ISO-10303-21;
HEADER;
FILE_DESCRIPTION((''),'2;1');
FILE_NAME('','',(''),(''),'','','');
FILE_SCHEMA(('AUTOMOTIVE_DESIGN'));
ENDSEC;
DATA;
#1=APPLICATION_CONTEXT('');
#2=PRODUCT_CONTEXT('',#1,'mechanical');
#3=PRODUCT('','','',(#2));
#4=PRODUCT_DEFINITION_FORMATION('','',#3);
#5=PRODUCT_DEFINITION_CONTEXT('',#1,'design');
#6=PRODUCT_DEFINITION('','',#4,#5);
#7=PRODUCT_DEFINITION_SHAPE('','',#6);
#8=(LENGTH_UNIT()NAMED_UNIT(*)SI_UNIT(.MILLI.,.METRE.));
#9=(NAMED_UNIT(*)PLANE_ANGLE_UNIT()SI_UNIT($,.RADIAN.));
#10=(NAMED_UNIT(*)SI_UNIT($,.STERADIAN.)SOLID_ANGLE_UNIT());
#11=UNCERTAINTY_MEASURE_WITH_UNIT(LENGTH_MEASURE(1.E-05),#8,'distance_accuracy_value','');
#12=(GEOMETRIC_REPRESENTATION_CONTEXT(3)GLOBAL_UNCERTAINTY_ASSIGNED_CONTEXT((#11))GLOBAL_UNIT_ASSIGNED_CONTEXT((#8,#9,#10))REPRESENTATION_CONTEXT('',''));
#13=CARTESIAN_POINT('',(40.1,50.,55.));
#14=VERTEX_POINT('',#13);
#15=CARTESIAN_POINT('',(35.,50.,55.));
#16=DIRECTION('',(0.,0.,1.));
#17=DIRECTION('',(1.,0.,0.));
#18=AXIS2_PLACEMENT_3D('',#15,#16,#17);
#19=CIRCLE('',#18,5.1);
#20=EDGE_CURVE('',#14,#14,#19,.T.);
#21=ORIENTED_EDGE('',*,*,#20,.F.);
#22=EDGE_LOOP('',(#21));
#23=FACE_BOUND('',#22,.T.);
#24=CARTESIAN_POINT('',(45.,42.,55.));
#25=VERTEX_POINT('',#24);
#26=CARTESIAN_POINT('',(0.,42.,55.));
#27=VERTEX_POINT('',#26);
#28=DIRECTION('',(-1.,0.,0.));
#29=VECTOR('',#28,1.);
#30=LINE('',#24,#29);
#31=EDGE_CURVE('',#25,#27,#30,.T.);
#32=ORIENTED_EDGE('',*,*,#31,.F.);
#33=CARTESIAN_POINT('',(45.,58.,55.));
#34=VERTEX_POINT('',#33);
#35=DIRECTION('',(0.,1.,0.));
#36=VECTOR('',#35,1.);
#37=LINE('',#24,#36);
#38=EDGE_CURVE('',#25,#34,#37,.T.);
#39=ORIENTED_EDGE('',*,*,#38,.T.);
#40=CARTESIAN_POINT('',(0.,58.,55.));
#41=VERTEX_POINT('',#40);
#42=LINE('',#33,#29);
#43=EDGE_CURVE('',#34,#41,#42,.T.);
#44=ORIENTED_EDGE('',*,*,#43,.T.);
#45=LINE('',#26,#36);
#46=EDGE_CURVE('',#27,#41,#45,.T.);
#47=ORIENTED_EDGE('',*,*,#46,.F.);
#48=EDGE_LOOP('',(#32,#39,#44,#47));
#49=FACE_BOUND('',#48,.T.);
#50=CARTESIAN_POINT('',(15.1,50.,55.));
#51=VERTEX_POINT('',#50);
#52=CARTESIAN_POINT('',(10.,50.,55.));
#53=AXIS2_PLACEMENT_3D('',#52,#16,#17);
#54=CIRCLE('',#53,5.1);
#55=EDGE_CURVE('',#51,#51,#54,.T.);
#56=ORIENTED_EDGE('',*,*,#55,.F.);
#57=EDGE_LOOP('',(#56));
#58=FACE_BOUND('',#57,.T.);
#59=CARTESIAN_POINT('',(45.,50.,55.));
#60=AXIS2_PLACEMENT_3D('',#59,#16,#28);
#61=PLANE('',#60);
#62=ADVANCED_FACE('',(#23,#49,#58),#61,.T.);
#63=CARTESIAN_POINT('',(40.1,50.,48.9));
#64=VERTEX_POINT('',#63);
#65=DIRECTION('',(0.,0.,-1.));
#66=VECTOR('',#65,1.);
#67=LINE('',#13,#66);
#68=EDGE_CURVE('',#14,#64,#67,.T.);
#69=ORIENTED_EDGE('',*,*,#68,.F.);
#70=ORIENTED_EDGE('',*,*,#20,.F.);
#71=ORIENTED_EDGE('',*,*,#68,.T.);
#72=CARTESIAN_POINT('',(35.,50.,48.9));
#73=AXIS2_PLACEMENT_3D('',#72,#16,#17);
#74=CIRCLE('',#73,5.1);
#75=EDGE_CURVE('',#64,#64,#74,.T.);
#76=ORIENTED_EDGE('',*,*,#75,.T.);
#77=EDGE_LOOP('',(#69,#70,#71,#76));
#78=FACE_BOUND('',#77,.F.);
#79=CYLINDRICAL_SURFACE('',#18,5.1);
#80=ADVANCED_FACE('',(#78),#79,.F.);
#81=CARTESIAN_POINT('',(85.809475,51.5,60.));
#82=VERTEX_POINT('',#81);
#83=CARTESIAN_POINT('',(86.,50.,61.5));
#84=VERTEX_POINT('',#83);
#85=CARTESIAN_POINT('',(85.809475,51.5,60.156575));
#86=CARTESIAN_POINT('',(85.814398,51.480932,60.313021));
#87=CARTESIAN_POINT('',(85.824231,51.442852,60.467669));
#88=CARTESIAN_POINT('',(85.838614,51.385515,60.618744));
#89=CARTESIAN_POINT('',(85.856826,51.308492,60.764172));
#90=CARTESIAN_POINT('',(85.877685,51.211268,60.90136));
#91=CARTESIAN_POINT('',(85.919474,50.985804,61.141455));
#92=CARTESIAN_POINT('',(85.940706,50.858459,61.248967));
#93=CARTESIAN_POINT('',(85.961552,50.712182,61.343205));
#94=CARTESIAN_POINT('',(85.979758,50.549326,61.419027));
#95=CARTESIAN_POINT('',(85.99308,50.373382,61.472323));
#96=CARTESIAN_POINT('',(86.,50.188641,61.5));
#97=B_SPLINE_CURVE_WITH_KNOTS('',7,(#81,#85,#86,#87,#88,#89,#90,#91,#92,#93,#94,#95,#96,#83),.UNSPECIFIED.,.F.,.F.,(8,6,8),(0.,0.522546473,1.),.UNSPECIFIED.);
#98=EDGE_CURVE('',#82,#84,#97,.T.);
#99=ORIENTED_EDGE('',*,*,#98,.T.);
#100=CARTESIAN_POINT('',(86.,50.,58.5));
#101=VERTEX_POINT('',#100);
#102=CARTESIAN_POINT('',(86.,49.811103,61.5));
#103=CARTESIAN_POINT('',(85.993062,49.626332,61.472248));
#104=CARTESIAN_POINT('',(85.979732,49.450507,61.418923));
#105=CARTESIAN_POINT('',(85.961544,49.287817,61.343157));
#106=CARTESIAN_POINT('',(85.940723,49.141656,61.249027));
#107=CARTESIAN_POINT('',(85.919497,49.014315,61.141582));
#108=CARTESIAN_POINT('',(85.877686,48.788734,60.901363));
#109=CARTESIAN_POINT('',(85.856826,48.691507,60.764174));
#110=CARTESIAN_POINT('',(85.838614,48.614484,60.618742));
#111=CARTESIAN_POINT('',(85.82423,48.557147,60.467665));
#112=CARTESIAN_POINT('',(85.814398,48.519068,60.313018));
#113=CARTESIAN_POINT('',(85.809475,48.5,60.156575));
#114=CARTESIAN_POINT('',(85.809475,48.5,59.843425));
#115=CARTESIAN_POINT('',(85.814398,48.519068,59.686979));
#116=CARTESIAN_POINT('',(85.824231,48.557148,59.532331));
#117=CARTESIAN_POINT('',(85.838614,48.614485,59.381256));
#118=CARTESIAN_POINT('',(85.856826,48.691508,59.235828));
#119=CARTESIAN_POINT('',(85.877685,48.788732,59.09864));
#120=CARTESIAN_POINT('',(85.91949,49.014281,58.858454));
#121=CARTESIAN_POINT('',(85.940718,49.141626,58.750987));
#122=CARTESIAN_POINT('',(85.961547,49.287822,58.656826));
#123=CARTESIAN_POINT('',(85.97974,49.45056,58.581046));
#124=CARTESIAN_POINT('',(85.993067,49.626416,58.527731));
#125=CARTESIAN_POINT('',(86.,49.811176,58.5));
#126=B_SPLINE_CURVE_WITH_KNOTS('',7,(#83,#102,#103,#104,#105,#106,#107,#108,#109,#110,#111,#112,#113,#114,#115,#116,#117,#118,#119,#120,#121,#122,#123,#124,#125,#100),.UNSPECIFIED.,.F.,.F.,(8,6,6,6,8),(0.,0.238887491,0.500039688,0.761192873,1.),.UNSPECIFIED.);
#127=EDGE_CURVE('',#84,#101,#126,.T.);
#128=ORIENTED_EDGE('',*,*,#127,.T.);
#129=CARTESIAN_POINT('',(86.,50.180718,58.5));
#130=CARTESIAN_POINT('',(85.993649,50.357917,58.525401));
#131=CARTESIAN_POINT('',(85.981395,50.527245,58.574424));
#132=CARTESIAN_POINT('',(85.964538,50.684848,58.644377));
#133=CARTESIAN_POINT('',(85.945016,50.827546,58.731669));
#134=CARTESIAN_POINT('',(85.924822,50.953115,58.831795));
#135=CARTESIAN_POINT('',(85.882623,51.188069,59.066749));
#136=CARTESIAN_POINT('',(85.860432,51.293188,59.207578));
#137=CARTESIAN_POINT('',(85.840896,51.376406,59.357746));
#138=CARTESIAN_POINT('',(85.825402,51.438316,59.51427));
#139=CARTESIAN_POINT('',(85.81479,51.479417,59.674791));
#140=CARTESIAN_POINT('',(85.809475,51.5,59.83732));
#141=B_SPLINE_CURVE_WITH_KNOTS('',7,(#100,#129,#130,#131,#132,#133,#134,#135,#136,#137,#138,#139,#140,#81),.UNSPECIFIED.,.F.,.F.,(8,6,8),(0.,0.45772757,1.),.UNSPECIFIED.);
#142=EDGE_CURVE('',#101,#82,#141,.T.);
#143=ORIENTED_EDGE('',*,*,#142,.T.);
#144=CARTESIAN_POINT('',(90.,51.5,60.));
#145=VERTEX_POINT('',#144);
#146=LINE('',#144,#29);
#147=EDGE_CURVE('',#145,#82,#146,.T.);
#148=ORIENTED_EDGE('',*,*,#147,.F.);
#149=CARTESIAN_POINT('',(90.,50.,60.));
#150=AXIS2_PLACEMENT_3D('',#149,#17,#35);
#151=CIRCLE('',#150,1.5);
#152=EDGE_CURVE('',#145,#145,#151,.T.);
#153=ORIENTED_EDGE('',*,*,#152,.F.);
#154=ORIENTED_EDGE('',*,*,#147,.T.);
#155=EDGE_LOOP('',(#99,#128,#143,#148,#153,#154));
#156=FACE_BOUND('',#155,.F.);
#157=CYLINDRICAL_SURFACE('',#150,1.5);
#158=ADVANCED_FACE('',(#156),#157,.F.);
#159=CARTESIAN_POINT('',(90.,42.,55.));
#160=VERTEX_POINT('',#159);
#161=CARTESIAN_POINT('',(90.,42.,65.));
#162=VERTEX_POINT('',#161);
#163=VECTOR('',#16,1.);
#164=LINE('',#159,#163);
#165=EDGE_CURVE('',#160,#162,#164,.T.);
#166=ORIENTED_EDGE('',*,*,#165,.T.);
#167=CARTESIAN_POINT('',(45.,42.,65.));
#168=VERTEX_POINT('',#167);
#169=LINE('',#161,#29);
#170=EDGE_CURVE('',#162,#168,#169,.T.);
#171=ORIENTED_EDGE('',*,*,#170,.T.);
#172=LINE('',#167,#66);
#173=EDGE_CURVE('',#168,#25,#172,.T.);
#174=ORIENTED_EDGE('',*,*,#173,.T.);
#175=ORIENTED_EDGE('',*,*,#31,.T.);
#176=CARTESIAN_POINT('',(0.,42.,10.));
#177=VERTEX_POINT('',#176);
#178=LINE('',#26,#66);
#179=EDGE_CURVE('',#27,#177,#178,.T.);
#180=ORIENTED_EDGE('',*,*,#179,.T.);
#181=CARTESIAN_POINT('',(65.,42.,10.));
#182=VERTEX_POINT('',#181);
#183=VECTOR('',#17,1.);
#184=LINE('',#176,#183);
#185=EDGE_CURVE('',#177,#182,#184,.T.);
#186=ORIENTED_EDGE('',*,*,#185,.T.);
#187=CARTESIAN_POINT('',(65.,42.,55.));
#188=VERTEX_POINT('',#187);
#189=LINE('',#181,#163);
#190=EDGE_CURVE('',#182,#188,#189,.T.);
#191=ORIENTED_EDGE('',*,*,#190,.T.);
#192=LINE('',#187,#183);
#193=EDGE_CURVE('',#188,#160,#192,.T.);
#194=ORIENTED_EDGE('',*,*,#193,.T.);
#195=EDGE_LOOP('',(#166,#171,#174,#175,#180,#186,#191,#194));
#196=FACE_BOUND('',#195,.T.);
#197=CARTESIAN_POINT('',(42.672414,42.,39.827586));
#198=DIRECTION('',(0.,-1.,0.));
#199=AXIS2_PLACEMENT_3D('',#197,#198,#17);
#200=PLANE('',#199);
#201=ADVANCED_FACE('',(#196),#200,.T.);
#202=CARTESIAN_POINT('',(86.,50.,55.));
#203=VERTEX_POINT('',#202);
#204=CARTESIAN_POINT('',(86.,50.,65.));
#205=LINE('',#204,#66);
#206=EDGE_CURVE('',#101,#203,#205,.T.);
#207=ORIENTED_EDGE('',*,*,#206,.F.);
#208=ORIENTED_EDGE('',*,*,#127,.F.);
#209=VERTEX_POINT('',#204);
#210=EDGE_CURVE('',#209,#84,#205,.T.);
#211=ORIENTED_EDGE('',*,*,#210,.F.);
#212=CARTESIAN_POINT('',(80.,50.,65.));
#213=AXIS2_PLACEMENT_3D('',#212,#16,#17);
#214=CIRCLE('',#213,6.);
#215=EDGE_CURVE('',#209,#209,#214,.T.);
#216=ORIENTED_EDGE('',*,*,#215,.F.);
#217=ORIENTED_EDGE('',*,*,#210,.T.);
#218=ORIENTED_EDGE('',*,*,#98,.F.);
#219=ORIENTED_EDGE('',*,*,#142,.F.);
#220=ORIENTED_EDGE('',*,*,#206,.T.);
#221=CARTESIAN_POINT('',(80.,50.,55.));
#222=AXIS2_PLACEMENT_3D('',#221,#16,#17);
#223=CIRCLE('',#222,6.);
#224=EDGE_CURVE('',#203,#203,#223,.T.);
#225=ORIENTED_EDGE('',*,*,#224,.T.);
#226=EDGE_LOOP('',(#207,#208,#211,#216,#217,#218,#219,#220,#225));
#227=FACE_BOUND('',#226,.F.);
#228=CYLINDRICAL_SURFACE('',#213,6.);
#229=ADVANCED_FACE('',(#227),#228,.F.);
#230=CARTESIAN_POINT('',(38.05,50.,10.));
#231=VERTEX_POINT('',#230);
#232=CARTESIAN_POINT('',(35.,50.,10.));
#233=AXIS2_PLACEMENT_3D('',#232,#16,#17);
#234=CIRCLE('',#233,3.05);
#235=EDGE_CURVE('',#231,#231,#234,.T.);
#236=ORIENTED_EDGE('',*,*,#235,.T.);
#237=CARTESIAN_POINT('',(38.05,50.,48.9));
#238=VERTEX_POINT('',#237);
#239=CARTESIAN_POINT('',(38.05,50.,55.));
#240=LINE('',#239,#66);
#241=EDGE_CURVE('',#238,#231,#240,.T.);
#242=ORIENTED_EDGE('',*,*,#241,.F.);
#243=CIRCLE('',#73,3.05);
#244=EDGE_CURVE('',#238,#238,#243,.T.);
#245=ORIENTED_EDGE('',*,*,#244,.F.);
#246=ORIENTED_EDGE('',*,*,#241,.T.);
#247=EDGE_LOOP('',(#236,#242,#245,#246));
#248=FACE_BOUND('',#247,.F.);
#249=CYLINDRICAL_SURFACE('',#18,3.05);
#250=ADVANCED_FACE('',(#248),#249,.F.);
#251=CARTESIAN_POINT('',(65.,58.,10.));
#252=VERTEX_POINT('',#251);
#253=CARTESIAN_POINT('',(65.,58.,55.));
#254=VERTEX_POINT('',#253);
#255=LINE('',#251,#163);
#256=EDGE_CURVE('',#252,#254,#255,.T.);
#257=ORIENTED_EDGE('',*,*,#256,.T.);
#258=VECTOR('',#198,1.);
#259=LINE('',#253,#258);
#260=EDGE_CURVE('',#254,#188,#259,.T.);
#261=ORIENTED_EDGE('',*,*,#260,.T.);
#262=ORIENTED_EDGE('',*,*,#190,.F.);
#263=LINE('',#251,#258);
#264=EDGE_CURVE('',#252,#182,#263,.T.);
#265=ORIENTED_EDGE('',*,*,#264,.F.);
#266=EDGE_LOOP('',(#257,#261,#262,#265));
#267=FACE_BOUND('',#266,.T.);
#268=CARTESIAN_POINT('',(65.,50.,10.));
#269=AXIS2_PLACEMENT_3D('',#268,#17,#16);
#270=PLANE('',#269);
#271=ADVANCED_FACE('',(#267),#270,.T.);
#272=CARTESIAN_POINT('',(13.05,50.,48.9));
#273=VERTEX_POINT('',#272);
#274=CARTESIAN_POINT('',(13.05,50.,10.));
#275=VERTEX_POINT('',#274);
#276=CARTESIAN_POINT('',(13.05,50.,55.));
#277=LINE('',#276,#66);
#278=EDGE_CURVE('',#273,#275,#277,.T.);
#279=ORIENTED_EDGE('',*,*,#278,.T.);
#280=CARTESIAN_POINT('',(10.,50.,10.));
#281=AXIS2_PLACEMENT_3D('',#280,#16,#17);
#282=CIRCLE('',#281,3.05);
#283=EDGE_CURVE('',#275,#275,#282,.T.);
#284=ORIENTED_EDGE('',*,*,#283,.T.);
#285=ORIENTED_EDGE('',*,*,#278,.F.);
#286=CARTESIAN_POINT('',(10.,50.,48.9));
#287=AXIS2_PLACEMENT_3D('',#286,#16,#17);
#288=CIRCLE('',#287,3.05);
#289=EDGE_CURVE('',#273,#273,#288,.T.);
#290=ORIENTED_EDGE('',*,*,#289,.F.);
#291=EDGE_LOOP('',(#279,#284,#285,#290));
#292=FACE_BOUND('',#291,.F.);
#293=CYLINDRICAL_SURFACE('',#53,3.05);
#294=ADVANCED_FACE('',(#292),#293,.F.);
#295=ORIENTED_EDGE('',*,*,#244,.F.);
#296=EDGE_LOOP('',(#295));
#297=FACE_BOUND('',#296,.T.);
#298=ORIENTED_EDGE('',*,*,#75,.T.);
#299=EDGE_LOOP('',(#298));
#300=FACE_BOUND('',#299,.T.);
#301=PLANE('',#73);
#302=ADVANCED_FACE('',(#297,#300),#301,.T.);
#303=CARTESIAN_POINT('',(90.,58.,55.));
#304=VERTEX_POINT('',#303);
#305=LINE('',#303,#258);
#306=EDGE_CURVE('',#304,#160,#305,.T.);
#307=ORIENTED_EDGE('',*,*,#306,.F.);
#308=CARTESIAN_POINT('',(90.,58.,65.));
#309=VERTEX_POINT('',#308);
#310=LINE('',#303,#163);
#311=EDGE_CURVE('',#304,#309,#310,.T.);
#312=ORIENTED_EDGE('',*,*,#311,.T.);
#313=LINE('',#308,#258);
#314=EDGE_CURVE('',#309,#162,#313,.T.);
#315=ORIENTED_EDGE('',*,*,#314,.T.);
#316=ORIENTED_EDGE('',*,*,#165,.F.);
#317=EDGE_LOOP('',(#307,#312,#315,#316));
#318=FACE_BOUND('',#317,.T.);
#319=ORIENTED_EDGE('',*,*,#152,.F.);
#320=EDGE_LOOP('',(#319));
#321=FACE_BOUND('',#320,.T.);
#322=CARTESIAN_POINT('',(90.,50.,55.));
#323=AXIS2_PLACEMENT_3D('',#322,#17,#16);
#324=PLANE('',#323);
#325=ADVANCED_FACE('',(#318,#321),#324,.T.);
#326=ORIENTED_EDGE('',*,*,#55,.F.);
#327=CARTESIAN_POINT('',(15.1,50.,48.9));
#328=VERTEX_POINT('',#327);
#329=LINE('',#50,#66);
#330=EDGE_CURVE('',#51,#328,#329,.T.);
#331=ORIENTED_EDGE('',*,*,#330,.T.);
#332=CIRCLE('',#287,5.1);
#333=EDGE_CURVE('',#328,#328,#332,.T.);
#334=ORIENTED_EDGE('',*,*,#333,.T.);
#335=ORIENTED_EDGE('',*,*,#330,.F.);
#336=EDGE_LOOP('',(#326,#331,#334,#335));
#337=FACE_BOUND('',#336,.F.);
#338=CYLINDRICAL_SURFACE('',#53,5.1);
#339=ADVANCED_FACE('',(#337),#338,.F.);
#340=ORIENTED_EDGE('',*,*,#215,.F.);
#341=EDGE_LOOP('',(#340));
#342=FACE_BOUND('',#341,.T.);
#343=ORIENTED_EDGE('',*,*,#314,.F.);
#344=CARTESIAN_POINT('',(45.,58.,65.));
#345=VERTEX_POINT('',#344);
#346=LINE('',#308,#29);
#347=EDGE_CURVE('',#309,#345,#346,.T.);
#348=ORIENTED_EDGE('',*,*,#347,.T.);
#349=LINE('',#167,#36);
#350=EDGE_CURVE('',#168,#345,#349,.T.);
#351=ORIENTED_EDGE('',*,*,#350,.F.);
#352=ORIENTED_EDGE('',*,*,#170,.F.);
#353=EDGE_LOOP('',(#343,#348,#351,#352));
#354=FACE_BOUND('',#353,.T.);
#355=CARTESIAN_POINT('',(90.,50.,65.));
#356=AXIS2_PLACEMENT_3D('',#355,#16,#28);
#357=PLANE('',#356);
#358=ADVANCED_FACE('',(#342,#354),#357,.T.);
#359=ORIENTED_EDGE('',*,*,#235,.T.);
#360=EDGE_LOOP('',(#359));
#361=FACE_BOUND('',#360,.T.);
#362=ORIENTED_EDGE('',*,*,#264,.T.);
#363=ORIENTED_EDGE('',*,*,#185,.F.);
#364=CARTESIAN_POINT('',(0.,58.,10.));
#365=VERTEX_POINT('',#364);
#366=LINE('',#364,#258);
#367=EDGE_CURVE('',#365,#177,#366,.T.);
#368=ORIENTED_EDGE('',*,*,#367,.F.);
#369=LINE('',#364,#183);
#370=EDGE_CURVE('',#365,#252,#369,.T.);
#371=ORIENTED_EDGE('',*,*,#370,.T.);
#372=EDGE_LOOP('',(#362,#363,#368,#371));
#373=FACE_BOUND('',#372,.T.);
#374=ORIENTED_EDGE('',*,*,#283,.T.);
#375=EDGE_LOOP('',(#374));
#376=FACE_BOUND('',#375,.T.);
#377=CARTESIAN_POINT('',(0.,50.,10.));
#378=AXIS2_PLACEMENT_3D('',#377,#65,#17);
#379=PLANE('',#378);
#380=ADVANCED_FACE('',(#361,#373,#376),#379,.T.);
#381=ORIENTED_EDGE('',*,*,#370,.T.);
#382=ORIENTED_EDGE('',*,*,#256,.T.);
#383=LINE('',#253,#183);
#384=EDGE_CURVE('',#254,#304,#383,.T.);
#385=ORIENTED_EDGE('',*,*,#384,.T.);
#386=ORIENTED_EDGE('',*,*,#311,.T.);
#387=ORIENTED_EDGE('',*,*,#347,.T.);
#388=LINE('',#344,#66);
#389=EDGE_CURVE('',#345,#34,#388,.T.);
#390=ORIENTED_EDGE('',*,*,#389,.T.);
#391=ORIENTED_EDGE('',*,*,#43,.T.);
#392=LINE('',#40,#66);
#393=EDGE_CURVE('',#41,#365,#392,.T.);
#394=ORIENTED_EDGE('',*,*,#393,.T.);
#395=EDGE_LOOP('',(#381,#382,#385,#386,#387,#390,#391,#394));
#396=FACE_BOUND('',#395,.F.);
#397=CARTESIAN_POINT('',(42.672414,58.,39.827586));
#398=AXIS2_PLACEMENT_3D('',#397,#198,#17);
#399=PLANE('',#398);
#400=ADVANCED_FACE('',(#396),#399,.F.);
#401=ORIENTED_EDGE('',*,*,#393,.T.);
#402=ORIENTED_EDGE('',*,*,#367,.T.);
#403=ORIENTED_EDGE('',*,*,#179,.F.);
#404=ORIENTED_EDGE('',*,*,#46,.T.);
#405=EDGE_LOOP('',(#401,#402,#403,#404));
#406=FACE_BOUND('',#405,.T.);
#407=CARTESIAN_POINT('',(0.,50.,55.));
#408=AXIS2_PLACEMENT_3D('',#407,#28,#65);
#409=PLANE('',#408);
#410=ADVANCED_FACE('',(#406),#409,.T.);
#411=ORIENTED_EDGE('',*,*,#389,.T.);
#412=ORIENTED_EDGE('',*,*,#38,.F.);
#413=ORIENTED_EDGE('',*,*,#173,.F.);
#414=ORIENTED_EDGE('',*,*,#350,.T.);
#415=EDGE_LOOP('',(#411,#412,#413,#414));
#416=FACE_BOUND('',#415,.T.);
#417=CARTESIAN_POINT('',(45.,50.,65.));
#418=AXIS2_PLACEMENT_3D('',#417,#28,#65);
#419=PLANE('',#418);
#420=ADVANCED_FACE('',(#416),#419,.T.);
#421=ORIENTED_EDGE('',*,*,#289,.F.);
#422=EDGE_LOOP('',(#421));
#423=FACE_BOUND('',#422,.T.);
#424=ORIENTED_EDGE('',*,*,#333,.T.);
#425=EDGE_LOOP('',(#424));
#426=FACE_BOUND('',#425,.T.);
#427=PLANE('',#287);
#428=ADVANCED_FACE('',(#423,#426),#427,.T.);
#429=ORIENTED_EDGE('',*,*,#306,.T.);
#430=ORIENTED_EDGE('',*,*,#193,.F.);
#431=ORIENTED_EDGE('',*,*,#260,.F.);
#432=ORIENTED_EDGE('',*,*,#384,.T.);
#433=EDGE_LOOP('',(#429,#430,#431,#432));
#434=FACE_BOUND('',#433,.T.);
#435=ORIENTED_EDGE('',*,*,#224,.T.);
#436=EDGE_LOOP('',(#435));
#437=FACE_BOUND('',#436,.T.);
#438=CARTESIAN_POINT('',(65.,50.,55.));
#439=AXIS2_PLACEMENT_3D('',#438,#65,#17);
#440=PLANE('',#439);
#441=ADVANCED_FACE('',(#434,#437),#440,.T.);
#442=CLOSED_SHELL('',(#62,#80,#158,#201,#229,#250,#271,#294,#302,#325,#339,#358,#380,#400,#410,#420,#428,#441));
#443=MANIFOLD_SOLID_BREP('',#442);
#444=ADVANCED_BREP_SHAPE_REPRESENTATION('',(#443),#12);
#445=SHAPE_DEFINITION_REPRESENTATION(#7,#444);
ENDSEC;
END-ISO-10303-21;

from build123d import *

# Parameters (mm, degrees)
F2_DEPTH  = 8
F3_R      = 3.05
F4_DEPTH  = 45
F5_R      = 5.1
F6_DEPTH  = 6.1
F7_R      = 6
F8_DEPTH  = 10
F9_R      = 1.5
F10_DEPTH = 4.1915250807


with BuildPart() as f2:
    # F1 (on offset) → F2 (new body, symmetric)
    with BuildSketch(Plane.XZ.offset(-50)):
        Polygon((0, 55), (0, 10), (65, 10), (65, 55), (90, 55), (90, 65), (45, 65), (45, 55), align=None)
    extrude(amount=F2_DEPTH, both=True)

    # F3 (on face) → F4 (cut, through all)
    with BuildSketch(Plane.XY.offset(55)):
        with Locations((10, 50)):
            Circle(F3_R)
        with Locations((35, 50)):
            Circle(F3_R)
    extrude(amount=-F4_DEPTH, mode=Mode.SUBTRACT)

    # F5 (on face) → F6 (cut)
    with BuildSketch(Plane.XY.offset(55)):
        with Locations((10, 50)):
            Circle(F5_R)
        with Locations((35, 50)):
            Circle(F5_R)
    extrude(amount=-F6_DEPTH, mode=Mode.SUBTRACT)

    # F7 (on face) → F8 (cut, through all)
    with BuildSketch(Plane.XY.offset(65)):
        with Locations((80, 50)):
            Circle(F7_R)
    extrude(amount=-F8_DEPTH, mode=Mode.SUBTRACT)

    # F9 (on face) → F10 (cut, through all)
    with BuildSketch(Plane.YZ.offset(90)):
        with Locations((50, 60)):
            Circle(F9_R)
    extrude(amount=-F10_DEPTH, mode=Mode.SUBTRACT)


solid = f2.part
